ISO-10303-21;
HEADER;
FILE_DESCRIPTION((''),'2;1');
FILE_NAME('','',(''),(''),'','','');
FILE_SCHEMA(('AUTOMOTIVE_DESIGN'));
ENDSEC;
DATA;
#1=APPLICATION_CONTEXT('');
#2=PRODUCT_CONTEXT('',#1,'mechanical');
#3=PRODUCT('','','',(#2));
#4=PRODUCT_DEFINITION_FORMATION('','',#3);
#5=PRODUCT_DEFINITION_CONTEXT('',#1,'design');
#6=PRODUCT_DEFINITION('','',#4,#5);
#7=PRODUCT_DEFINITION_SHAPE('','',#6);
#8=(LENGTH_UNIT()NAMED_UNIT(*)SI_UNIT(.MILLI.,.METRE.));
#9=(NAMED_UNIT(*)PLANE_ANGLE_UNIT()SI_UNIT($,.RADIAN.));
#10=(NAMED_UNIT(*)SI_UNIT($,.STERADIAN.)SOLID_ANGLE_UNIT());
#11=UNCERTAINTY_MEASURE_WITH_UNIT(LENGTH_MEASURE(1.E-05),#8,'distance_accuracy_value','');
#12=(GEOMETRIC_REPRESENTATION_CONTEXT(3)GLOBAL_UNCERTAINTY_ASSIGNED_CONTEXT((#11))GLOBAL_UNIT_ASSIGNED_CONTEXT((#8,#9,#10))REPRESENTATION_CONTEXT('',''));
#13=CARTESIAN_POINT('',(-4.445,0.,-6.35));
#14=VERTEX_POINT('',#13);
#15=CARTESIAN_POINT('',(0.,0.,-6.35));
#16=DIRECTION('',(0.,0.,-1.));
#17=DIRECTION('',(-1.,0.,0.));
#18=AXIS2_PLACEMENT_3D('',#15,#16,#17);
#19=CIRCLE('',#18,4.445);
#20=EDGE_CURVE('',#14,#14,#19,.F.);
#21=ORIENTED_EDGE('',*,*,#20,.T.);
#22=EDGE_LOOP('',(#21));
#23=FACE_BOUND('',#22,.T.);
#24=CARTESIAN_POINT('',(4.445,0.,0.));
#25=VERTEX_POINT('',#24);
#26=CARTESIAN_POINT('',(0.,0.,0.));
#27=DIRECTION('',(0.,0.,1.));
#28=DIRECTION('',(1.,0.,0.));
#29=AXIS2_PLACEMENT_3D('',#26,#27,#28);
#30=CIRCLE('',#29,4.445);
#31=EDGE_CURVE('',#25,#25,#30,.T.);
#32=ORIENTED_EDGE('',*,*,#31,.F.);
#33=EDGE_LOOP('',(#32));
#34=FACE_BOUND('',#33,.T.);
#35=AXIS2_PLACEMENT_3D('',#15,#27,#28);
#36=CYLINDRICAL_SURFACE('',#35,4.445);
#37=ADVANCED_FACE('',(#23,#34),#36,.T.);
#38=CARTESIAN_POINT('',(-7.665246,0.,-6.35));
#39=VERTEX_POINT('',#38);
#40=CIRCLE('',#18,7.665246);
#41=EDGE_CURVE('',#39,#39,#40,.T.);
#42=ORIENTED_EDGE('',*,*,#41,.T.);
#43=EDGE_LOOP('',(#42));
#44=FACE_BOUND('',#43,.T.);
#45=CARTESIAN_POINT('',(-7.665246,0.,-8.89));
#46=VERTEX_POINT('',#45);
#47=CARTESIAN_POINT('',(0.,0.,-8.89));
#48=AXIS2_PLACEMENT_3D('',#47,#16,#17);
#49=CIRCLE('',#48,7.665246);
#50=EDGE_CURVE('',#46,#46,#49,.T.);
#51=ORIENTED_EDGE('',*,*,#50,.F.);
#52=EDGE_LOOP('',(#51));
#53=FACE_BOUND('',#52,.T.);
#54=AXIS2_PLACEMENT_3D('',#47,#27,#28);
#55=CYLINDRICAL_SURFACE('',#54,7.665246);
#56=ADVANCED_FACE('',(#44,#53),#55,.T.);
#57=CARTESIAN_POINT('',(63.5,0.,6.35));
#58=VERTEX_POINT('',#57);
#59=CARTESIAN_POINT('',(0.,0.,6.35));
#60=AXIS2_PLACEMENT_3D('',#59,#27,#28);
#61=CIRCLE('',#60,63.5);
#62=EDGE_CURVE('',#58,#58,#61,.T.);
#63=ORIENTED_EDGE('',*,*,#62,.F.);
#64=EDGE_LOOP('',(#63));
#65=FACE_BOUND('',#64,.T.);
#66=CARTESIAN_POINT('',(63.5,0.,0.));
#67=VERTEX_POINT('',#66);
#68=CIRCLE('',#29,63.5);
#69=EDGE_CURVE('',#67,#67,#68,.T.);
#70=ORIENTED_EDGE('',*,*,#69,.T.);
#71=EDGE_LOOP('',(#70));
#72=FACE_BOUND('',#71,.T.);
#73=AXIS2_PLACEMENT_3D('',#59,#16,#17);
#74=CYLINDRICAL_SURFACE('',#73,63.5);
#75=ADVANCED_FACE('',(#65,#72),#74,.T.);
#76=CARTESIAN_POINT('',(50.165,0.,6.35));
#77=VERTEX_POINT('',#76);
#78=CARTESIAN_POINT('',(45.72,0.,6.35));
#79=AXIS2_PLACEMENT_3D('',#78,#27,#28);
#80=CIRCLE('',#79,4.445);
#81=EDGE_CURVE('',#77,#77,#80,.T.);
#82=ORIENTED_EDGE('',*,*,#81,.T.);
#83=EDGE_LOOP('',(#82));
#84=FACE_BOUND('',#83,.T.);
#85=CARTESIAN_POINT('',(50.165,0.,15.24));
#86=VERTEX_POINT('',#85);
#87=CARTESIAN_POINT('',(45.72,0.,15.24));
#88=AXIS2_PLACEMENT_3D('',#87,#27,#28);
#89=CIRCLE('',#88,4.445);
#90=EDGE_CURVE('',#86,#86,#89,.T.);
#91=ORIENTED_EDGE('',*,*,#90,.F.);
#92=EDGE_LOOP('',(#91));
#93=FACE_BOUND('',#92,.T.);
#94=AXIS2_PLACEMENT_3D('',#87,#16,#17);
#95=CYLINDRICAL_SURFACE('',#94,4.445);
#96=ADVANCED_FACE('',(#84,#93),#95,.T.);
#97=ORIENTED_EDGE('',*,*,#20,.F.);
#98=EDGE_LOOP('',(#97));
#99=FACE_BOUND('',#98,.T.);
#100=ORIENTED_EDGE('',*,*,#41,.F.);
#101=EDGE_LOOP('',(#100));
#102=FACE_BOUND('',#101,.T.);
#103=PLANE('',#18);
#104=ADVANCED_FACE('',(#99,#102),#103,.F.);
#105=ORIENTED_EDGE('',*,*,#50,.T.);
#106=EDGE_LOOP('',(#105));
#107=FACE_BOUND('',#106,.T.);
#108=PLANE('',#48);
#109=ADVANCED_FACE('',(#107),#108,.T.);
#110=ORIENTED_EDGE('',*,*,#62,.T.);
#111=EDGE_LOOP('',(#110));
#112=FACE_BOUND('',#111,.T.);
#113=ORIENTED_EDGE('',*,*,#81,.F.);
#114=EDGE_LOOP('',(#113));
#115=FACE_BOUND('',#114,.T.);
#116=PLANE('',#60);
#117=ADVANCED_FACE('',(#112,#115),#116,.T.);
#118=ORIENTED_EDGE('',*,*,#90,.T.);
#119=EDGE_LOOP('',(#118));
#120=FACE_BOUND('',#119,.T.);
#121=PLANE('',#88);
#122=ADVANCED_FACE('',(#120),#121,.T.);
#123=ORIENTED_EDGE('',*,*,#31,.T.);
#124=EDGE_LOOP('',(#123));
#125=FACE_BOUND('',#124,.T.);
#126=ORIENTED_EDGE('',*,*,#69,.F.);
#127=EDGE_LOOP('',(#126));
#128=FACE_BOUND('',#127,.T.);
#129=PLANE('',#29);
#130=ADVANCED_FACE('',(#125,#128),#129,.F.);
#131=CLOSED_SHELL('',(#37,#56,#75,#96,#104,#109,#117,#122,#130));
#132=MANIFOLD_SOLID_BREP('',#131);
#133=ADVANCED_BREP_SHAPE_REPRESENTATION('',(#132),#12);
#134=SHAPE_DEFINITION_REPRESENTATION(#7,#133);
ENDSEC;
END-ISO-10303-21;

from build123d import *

# Parameters (mm, degrees)
SKETCH1_R           = 63.5
BOSS_EXTRUDE1_DEPTH = 6.35
SKETCH2_R           = 4.445
BOSS_EXTRUDE2_DEPTH = 8.89
SKETCH1_3_R         = 4.445
BOSS_EXTRUDE3_DEPTH = 6.35
SKETCH3_R           = 7.665246074
BOSS_EXTRUDE4_DEPTH = 2.54


with BuildPart() as part:
    # Sketch1 → Boss-Extrude1 (new body)
    with BuildSketch(Plane.XY):
        Circle(SKETCH1_R)
    extrude(amount=BOSS_EXTRUDE1_DEPTH)

    # Sketch2 → Boss-Extrude2 (add)
    with BuildSketch(Plane.XY.offset(6.35)):
        with Locations((45.72, 0)):
            Circle(SKETCH2_R)
    extrude(amount=BOSS_EXTRUDE2_DEPTH)

    # Sketch1<3> → Boss-Extrude3 (add)
    with BuildSketch(Plane.XY):
        Circle(SKETCH1_3_R)
    extrude(amount=-BOSS_EXTRUDE3_DEPTH)

    # Sketch3 → Boss-Extrude4 (add)
    with BuildSketch(Plane(origin=(0, 0, -6.35), x_dir=(-1, 0, 0), z_dir=(0, 0, -1))):
        Circle(SKETCH3_R)
    extrude(amount=BOSS_EXTRUDE4_DEPTH)


solid = part.part
